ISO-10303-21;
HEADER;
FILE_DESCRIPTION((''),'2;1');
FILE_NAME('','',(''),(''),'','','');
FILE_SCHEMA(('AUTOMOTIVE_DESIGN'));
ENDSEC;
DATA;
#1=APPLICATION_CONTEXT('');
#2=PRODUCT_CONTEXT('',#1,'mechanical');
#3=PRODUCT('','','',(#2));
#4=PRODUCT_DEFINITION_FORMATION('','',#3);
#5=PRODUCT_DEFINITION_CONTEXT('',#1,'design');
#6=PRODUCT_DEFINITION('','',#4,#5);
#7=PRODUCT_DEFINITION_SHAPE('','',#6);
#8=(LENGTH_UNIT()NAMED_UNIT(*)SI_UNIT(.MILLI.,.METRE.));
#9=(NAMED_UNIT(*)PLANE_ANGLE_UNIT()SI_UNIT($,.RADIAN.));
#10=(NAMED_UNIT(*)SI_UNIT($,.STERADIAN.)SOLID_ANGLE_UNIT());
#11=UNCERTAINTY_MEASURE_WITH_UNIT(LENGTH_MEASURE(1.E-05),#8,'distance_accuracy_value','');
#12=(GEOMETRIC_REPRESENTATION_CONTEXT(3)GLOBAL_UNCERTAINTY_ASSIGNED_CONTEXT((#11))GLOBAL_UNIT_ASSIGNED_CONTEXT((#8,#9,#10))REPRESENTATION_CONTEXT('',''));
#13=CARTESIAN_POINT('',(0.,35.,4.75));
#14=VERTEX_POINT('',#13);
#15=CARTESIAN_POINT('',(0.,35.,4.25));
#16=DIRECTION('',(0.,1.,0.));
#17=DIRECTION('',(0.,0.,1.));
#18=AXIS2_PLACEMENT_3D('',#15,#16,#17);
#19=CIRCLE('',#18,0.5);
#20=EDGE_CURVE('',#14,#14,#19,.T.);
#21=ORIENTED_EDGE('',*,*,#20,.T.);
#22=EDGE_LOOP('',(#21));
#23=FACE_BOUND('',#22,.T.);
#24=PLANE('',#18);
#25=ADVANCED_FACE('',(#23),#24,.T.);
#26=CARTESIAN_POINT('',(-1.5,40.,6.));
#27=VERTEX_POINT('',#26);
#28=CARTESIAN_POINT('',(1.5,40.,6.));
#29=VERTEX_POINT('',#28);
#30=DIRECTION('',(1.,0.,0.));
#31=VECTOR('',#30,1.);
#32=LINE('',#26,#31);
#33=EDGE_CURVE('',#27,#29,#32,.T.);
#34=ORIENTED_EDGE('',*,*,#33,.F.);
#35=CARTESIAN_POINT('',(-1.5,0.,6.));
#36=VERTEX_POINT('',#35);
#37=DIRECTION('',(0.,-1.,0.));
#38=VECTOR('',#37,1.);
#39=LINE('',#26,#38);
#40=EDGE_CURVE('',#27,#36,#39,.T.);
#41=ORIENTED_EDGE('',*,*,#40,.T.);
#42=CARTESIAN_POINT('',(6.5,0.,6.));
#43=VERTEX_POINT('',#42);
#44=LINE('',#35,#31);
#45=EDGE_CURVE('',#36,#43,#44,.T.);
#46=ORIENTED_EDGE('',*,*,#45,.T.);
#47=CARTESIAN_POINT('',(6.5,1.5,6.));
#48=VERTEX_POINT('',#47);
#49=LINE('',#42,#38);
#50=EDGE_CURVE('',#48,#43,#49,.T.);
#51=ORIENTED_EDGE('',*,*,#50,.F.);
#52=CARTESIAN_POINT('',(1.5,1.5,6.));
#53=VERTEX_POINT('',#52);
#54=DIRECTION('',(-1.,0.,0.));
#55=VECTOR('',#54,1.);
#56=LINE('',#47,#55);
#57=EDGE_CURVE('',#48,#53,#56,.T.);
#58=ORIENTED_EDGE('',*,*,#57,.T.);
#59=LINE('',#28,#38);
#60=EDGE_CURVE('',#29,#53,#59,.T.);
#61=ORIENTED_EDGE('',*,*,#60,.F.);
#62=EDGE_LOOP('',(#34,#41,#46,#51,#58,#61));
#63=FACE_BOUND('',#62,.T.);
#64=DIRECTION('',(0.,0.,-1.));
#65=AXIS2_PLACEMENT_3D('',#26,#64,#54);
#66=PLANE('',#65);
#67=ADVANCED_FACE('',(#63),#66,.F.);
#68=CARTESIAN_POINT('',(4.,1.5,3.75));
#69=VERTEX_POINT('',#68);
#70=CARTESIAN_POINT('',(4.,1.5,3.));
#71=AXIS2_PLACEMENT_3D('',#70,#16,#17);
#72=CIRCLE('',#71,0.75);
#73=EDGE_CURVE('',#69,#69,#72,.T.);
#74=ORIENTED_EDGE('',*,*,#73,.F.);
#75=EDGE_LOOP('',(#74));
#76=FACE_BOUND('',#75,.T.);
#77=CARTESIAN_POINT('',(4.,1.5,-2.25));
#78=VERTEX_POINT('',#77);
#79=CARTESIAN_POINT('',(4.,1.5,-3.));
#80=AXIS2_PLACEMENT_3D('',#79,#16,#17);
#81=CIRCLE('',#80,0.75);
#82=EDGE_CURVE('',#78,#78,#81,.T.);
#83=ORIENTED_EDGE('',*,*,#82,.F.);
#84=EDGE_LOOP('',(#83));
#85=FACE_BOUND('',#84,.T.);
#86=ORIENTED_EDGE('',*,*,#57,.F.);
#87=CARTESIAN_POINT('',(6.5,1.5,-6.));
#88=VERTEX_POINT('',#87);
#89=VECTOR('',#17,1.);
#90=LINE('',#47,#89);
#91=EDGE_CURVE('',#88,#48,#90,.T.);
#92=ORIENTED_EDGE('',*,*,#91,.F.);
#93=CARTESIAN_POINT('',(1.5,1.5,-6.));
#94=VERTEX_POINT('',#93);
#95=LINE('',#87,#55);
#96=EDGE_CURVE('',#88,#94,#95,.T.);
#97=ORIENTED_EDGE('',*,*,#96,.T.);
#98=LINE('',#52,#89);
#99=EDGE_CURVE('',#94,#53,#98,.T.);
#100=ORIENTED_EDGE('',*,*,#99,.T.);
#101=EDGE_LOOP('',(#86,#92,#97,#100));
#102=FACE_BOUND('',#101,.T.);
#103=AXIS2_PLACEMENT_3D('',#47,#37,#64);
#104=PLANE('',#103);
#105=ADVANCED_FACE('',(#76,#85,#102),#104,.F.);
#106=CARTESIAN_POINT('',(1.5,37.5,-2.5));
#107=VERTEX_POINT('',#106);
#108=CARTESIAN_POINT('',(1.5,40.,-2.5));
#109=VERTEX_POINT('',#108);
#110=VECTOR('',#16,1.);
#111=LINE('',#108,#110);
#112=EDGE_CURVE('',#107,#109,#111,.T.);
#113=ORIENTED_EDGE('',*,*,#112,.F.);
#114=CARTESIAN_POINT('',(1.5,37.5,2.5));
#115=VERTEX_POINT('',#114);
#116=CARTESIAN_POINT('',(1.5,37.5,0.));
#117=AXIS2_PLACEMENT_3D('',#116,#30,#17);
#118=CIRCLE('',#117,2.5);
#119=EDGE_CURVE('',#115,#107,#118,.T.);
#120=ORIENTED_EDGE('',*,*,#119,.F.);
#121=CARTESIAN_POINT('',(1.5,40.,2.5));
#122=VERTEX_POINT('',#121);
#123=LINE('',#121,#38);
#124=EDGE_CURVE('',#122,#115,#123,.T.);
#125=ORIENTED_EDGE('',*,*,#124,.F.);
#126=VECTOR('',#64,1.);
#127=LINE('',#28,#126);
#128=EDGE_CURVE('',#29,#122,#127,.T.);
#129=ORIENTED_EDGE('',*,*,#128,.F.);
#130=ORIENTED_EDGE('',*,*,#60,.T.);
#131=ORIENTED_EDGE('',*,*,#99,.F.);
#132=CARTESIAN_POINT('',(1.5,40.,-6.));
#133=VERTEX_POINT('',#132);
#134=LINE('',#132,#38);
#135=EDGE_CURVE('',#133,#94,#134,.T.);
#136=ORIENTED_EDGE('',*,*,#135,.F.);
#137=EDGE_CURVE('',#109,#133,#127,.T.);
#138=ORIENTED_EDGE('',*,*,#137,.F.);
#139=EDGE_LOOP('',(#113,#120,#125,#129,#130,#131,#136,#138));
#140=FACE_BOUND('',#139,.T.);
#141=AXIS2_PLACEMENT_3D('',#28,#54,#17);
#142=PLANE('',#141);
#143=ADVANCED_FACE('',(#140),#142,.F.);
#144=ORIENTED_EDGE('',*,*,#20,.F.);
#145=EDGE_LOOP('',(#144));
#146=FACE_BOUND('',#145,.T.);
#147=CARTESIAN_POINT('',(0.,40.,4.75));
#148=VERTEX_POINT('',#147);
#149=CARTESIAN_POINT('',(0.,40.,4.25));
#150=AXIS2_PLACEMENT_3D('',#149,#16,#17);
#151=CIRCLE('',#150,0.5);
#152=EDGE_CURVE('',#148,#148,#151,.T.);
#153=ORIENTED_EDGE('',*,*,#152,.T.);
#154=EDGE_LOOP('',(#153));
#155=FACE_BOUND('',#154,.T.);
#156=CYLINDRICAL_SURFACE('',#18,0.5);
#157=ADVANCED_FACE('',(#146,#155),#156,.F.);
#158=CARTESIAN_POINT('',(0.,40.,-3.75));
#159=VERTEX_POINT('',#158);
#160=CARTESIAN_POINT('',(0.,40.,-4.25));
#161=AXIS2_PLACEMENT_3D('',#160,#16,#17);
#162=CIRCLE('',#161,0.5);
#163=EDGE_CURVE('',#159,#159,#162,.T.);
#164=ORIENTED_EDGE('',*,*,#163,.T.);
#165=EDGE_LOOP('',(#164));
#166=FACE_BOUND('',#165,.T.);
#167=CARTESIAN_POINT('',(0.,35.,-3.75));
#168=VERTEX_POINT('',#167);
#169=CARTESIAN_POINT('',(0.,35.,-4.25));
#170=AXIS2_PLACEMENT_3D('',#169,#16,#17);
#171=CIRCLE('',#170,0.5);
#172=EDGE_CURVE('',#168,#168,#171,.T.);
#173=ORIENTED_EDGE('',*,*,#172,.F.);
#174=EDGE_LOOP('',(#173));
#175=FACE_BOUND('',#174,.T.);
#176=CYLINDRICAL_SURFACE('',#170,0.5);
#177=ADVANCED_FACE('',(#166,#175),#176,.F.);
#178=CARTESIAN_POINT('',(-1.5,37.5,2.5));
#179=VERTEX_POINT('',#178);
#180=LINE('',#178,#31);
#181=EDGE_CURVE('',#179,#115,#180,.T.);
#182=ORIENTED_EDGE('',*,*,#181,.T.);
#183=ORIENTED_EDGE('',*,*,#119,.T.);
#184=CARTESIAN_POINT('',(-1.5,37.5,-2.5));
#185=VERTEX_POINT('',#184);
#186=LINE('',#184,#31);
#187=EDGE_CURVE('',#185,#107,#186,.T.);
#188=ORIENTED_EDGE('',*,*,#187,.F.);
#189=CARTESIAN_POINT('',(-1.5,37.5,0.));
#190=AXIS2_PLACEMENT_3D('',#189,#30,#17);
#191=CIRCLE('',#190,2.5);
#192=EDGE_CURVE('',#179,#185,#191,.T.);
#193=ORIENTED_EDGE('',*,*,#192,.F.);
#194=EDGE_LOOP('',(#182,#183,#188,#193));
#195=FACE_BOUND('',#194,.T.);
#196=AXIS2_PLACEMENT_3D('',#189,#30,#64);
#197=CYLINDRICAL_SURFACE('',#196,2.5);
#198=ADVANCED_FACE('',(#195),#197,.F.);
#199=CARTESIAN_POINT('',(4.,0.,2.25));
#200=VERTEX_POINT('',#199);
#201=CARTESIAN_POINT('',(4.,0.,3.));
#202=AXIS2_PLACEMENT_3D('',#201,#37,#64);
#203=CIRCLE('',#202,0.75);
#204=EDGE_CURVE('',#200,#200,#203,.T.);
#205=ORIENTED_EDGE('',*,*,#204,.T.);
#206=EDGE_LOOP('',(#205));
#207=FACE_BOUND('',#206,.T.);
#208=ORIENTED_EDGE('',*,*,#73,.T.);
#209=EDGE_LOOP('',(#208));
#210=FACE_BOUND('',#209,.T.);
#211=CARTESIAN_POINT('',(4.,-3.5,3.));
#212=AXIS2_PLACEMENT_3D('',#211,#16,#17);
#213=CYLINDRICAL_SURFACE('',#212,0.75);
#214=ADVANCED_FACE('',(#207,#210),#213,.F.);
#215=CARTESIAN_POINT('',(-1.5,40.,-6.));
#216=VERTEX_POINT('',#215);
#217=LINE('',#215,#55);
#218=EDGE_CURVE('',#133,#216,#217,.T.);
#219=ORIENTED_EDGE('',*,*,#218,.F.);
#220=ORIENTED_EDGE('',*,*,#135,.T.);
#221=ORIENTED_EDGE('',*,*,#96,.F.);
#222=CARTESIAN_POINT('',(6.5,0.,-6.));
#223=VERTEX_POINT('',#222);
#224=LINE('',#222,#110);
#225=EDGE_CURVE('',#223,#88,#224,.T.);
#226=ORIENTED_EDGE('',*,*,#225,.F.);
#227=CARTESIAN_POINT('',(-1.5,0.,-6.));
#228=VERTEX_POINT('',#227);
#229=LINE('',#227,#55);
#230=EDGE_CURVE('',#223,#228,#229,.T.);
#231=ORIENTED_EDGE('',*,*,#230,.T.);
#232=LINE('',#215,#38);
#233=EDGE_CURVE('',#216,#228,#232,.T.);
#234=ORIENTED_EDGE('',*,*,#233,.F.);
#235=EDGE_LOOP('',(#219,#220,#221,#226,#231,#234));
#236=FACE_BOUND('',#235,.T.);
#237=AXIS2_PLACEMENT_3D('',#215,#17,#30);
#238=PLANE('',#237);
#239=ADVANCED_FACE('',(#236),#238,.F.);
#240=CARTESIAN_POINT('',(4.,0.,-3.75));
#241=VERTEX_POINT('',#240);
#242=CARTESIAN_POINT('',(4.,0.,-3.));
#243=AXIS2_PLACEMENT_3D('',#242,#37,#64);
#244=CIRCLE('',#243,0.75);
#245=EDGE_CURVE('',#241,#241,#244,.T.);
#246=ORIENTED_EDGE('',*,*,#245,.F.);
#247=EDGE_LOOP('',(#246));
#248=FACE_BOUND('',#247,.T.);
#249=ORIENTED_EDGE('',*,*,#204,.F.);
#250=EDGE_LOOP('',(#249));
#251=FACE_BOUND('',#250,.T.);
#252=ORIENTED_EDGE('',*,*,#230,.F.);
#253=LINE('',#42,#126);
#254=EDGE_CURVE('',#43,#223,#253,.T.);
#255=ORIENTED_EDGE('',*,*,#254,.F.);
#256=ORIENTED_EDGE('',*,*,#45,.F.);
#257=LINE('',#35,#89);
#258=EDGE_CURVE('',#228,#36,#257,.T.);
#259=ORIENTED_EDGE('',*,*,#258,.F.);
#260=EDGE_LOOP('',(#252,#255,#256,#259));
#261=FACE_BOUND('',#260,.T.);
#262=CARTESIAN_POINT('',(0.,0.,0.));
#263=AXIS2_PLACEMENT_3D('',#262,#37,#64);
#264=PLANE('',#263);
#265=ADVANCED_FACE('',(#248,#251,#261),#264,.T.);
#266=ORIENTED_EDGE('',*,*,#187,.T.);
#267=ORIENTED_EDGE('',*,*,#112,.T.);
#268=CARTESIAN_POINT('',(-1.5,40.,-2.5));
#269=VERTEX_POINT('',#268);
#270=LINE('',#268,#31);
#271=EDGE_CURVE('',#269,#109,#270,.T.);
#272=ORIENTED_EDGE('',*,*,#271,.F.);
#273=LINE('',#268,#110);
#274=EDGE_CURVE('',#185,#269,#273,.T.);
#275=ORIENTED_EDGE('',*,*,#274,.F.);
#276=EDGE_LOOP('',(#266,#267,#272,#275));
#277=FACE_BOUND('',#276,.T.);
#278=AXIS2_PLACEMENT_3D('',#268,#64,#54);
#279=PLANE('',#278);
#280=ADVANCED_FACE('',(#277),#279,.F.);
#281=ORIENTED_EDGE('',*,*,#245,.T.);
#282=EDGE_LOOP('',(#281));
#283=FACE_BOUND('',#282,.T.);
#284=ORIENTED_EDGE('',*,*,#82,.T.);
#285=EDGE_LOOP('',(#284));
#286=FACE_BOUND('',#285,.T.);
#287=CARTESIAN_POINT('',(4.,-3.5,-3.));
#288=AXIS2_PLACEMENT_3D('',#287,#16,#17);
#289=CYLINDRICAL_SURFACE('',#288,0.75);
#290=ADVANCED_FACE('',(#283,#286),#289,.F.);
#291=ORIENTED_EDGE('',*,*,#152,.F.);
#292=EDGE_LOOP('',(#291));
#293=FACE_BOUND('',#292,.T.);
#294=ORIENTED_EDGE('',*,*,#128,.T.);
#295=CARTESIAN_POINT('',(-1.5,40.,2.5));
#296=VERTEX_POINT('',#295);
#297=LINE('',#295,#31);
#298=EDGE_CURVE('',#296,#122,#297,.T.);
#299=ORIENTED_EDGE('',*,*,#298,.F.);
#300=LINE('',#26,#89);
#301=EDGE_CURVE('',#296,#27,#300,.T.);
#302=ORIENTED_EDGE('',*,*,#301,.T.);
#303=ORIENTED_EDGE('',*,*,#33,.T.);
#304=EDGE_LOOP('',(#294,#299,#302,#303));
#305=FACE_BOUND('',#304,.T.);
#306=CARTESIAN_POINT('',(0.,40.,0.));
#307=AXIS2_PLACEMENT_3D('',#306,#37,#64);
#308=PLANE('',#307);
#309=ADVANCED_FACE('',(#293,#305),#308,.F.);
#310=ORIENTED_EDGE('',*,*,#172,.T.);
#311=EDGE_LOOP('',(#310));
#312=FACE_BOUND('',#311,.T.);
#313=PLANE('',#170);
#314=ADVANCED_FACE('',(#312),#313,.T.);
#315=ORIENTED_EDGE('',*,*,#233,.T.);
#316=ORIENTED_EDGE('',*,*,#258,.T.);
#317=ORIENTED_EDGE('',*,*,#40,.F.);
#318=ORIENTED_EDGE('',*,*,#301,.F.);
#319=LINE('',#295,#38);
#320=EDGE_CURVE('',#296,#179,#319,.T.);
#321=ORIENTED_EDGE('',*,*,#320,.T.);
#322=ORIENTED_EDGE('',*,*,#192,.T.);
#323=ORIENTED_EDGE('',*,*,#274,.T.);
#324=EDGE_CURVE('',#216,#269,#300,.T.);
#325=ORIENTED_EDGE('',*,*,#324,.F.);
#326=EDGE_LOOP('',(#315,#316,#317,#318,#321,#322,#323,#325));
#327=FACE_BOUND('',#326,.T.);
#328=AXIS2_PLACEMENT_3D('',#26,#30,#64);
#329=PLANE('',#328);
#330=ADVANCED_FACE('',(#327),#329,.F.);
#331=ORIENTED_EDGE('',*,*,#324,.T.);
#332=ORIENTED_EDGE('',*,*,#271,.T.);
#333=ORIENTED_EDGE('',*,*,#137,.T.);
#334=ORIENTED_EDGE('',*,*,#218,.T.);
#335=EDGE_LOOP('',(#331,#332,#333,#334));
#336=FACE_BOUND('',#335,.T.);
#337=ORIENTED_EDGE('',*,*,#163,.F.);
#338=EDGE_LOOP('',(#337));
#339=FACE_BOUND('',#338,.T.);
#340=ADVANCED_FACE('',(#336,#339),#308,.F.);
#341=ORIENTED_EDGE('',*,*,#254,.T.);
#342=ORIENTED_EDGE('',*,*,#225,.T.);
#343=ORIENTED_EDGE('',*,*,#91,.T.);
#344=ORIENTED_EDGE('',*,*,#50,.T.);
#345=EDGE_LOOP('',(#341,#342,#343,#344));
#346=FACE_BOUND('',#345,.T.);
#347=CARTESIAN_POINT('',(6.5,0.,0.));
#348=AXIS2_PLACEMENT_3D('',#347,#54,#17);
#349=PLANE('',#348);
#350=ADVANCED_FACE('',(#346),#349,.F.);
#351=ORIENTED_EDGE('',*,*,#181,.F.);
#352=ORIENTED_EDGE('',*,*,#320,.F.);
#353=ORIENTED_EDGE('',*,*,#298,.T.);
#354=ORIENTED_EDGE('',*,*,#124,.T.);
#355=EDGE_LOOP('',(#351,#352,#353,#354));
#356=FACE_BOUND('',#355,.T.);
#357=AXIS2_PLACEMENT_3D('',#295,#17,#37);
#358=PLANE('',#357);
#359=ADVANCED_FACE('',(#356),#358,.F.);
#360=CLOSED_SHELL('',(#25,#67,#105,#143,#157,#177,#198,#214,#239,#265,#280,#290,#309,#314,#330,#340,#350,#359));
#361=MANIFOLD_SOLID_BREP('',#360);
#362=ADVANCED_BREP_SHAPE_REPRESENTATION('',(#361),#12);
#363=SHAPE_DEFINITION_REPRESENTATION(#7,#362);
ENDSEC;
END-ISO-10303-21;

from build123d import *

# Parameters (mm, degrees)
SKETCH1_W           = 3
SKETCH1_H           = 12
BOSS_EXTRUDE1_DEPTH = 40
CUT_EXTRUDE1_DEPTH  = 3
SKETCH3_R           = 0.5
CUT_EXTRUDE2_DEPTH  = 5
SKETCH4_W           = 12
SKETCH4_H           = 1.5
BOSS_EXTRUDE2_DEPTH = 5
SKETCH5_R           = 0.75
CUT_EXTRUDE3_DEPTH  = 5


with BuildPart() as part:
    # Sketch1 → Boss-Extrude1 (new body)
    with BuildSketch(Plane(origin=(0, 0, 0), x_dir=(1, 0, 0), z_dir=(0, 1, 0))):
        Rectangle(SKETCH1_W, SKETCH1_H)
    extrude(amount=BOSS_EXTRUDE1_DEPTH)

    # Sketch2 → Cut-Extrude1 (cut)
    with BuildSketch(Plane(origin=(1.5, 0, 0), x_dir=(0, 0, -1), z_dir=(1, 0, 0))):
        with BuildLine():
            Line((-2.5, 40), (-2.5, 37.5))
            ThreePointArc((-2.5, 37.5), (0, 35), (2.5, 37.5))
            Line((2.5, 37.5), (2.5, 40))
            Line((2.5, 40), (-2.5, 40))
        make_face()
    extrude(amount=-CUT_EXTRUDE1_DEPTH, mode=Mode.SUBTRACT)

    # Sketch3 → Cut-Extrude2 (cut)
    with BuildSketch(Plane(origin=(0, 40, 0), x_dir=(1, 0, 0), z_dir=(0, 1, 0))):
        with Locations((0, -4.25)):
            Circle(SKETCH3_R)
        with Locations((0, 4.25)):
            Circle(SKETCH3_R)
    extrude(amount=-CUT_EXTRUDE2_DEPTH, mode=Mode.SUBTRACT)

    # Sketch4 → Boss-Extrude2 (add)
    with BuildSketch(Plane(origin=(1.5, 0, 0), x_dir=(0, 0, -1), z_dir=(1, 0, 0))):
        with Locations((0, 0.75)):
            Rectangle(SKETCH4_W, SKETCH4_H)
    extrude(amount=BOSS_EXTRUDE2_DEPTH)

    # Sketch5 → Cut-Extrude3 (cut)
    with BuildSketch(Plane(origin=(0, 1.5, 0), x_dir=(1, 0, 0), z_dir=(0, 1, 0))):
        with Locations((4, 3)):
            Circle(SKETCH5_R)
        with Locations((4, -3)):
            Circle(SKETCH5_R)
    extrude(amount=-CUT_EXTRUDE3_DEPTH, mode=Mode.SUBTRACT)


solid = part.part
